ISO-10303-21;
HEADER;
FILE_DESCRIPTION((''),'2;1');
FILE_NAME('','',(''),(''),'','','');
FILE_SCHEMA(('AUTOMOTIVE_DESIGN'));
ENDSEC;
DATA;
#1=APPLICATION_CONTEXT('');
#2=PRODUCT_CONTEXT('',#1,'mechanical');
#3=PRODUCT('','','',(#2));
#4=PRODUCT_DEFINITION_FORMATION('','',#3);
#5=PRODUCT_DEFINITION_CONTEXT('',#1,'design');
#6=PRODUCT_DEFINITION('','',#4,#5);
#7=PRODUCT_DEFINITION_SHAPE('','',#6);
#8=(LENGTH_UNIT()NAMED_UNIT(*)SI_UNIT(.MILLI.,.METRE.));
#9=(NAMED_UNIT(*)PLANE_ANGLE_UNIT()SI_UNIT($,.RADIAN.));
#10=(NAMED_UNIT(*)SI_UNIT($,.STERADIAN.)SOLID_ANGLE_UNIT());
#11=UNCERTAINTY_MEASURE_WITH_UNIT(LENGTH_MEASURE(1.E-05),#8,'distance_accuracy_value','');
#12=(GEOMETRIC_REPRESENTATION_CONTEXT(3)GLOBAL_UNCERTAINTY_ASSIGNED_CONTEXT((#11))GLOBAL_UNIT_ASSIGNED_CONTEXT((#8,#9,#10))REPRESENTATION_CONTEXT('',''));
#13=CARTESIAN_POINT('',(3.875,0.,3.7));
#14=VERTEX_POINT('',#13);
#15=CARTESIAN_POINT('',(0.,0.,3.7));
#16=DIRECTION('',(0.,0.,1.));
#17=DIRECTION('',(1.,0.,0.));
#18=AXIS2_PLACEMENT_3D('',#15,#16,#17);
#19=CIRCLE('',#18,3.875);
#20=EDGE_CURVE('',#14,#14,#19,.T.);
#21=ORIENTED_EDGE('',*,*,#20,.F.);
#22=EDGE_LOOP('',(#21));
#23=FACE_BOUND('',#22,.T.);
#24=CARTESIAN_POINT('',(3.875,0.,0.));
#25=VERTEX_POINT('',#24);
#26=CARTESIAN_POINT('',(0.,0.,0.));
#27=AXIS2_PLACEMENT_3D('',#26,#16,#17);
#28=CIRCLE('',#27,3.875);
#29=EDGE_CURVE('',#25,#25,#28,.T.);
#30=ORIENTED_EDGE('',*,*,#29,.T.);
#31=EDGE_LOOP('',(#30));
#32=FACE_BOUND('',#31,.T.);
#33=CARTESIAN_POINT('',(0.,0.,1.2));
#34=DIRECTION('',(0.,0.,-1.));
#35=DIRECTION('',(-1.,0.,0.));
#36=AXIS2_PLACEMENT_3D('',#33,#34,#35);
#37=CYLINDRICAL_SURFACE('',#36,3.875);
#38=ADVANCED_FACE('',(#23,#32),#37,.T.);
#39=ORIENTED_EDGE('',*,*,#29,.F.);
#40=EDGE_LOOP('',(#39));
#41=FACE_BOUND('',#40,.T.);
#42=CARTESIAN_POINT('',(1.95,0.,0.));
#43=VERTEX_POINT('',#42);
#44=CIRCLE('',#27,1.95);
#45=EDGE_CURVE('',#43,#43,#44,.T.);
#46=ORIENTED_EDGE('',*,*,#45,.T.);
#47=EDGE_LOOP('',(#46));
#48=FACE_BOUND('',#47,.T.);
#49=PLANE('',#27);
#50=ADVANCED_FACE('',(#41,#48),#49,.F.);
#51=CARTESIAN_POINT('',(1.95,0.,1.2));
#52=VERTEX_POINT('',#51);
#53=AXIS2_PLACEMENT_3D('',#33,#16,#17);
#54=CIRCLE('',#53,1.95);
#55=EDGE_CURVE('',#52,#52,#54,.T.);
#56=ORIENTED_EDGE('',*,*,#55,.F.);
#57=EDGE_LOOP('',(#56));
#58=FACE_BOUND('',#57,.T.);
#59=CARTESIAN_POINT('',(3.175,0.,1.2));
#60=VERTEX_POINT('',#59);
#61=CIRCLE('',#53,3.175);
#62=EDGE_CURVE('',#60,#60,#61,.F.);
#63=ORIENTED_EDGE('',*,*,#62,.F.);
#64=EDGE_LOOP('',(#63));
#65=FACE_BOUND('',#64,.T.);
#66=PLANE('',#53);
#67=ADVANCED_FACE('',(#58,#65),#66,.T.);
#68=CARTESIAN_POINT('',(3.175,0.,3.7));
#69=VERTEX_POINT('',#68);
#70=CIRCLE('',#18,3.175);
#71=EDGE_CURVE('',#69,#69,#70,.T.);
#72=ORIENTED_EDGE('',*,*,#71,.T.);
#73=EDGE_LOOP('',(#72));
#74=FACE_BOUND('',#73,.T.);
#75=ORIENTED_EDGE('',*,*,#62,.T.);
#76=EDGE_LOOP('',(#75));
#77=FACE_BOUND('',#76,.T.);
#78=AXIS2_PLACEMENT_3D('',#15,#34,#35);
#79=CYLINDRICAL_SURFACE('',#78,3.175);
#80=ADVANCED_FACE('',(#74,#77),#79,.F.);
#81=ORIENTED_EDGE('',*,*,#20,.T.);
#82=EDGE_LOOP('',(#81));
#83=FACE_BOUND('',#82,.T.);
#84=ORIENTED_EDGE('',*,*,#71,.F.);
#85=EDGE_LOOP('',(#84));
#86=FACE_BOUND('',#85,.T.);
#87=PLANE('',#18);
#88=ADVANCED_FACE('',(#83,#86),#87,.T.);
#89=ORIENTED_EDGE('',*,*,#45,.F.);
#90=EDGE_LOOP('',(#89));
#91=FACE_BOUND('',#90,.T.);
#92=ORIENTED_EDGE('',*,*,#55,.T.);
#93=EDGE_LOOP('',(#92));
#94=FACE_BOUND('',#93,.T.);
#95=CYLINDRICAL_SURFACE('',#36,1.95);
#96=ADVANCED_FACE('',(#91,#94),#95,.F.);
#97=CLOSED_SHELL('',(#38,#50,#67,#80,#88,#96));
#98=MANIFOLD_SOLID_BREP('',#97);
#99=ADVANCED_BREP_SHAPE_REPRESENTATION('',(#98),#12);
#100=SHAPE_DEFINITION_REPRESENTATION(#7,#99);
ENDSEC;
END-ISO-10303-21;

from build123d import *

# Parameters (mm, degrees)
SKETCH1_R           = 3.875
SKETCH1_R_2         = 1.95
BOSS_EXTRUDE1_DEPTH = 1.2
SKETCH2_R           = 3.875
SKETCH2_R_2         = 3.175
BOSS_EXTRUDE2_DEPTH = 2.5


with BuildPart() as part:
    # Sketch1 → Boss-Extrude1 (new body)
    with BuildSketch(Plane(origin=(0, 0, 0), x_dir=(0, 1, 0), z_dir=(0, 0, 1))):
        Circle(SKETCH1_R)
        Circle(SKETCH1_R_2, mode=Mode.SUBTRACT)
    extrude(amount=BOSS_EXTRUDE1_DEPTH)

    # Sketch2 → Boss-Extrude2 (add)
    with BuildSketch(Plane.XY.offset(1.2)):
        Circle(SKETCH2_R)
        Circle(SKETCH2_R_2, mode=Mode.SUBTRACT)
    extrude(amount=BOSS_EXTRUDE2_DEPTH)


solid = part.part
